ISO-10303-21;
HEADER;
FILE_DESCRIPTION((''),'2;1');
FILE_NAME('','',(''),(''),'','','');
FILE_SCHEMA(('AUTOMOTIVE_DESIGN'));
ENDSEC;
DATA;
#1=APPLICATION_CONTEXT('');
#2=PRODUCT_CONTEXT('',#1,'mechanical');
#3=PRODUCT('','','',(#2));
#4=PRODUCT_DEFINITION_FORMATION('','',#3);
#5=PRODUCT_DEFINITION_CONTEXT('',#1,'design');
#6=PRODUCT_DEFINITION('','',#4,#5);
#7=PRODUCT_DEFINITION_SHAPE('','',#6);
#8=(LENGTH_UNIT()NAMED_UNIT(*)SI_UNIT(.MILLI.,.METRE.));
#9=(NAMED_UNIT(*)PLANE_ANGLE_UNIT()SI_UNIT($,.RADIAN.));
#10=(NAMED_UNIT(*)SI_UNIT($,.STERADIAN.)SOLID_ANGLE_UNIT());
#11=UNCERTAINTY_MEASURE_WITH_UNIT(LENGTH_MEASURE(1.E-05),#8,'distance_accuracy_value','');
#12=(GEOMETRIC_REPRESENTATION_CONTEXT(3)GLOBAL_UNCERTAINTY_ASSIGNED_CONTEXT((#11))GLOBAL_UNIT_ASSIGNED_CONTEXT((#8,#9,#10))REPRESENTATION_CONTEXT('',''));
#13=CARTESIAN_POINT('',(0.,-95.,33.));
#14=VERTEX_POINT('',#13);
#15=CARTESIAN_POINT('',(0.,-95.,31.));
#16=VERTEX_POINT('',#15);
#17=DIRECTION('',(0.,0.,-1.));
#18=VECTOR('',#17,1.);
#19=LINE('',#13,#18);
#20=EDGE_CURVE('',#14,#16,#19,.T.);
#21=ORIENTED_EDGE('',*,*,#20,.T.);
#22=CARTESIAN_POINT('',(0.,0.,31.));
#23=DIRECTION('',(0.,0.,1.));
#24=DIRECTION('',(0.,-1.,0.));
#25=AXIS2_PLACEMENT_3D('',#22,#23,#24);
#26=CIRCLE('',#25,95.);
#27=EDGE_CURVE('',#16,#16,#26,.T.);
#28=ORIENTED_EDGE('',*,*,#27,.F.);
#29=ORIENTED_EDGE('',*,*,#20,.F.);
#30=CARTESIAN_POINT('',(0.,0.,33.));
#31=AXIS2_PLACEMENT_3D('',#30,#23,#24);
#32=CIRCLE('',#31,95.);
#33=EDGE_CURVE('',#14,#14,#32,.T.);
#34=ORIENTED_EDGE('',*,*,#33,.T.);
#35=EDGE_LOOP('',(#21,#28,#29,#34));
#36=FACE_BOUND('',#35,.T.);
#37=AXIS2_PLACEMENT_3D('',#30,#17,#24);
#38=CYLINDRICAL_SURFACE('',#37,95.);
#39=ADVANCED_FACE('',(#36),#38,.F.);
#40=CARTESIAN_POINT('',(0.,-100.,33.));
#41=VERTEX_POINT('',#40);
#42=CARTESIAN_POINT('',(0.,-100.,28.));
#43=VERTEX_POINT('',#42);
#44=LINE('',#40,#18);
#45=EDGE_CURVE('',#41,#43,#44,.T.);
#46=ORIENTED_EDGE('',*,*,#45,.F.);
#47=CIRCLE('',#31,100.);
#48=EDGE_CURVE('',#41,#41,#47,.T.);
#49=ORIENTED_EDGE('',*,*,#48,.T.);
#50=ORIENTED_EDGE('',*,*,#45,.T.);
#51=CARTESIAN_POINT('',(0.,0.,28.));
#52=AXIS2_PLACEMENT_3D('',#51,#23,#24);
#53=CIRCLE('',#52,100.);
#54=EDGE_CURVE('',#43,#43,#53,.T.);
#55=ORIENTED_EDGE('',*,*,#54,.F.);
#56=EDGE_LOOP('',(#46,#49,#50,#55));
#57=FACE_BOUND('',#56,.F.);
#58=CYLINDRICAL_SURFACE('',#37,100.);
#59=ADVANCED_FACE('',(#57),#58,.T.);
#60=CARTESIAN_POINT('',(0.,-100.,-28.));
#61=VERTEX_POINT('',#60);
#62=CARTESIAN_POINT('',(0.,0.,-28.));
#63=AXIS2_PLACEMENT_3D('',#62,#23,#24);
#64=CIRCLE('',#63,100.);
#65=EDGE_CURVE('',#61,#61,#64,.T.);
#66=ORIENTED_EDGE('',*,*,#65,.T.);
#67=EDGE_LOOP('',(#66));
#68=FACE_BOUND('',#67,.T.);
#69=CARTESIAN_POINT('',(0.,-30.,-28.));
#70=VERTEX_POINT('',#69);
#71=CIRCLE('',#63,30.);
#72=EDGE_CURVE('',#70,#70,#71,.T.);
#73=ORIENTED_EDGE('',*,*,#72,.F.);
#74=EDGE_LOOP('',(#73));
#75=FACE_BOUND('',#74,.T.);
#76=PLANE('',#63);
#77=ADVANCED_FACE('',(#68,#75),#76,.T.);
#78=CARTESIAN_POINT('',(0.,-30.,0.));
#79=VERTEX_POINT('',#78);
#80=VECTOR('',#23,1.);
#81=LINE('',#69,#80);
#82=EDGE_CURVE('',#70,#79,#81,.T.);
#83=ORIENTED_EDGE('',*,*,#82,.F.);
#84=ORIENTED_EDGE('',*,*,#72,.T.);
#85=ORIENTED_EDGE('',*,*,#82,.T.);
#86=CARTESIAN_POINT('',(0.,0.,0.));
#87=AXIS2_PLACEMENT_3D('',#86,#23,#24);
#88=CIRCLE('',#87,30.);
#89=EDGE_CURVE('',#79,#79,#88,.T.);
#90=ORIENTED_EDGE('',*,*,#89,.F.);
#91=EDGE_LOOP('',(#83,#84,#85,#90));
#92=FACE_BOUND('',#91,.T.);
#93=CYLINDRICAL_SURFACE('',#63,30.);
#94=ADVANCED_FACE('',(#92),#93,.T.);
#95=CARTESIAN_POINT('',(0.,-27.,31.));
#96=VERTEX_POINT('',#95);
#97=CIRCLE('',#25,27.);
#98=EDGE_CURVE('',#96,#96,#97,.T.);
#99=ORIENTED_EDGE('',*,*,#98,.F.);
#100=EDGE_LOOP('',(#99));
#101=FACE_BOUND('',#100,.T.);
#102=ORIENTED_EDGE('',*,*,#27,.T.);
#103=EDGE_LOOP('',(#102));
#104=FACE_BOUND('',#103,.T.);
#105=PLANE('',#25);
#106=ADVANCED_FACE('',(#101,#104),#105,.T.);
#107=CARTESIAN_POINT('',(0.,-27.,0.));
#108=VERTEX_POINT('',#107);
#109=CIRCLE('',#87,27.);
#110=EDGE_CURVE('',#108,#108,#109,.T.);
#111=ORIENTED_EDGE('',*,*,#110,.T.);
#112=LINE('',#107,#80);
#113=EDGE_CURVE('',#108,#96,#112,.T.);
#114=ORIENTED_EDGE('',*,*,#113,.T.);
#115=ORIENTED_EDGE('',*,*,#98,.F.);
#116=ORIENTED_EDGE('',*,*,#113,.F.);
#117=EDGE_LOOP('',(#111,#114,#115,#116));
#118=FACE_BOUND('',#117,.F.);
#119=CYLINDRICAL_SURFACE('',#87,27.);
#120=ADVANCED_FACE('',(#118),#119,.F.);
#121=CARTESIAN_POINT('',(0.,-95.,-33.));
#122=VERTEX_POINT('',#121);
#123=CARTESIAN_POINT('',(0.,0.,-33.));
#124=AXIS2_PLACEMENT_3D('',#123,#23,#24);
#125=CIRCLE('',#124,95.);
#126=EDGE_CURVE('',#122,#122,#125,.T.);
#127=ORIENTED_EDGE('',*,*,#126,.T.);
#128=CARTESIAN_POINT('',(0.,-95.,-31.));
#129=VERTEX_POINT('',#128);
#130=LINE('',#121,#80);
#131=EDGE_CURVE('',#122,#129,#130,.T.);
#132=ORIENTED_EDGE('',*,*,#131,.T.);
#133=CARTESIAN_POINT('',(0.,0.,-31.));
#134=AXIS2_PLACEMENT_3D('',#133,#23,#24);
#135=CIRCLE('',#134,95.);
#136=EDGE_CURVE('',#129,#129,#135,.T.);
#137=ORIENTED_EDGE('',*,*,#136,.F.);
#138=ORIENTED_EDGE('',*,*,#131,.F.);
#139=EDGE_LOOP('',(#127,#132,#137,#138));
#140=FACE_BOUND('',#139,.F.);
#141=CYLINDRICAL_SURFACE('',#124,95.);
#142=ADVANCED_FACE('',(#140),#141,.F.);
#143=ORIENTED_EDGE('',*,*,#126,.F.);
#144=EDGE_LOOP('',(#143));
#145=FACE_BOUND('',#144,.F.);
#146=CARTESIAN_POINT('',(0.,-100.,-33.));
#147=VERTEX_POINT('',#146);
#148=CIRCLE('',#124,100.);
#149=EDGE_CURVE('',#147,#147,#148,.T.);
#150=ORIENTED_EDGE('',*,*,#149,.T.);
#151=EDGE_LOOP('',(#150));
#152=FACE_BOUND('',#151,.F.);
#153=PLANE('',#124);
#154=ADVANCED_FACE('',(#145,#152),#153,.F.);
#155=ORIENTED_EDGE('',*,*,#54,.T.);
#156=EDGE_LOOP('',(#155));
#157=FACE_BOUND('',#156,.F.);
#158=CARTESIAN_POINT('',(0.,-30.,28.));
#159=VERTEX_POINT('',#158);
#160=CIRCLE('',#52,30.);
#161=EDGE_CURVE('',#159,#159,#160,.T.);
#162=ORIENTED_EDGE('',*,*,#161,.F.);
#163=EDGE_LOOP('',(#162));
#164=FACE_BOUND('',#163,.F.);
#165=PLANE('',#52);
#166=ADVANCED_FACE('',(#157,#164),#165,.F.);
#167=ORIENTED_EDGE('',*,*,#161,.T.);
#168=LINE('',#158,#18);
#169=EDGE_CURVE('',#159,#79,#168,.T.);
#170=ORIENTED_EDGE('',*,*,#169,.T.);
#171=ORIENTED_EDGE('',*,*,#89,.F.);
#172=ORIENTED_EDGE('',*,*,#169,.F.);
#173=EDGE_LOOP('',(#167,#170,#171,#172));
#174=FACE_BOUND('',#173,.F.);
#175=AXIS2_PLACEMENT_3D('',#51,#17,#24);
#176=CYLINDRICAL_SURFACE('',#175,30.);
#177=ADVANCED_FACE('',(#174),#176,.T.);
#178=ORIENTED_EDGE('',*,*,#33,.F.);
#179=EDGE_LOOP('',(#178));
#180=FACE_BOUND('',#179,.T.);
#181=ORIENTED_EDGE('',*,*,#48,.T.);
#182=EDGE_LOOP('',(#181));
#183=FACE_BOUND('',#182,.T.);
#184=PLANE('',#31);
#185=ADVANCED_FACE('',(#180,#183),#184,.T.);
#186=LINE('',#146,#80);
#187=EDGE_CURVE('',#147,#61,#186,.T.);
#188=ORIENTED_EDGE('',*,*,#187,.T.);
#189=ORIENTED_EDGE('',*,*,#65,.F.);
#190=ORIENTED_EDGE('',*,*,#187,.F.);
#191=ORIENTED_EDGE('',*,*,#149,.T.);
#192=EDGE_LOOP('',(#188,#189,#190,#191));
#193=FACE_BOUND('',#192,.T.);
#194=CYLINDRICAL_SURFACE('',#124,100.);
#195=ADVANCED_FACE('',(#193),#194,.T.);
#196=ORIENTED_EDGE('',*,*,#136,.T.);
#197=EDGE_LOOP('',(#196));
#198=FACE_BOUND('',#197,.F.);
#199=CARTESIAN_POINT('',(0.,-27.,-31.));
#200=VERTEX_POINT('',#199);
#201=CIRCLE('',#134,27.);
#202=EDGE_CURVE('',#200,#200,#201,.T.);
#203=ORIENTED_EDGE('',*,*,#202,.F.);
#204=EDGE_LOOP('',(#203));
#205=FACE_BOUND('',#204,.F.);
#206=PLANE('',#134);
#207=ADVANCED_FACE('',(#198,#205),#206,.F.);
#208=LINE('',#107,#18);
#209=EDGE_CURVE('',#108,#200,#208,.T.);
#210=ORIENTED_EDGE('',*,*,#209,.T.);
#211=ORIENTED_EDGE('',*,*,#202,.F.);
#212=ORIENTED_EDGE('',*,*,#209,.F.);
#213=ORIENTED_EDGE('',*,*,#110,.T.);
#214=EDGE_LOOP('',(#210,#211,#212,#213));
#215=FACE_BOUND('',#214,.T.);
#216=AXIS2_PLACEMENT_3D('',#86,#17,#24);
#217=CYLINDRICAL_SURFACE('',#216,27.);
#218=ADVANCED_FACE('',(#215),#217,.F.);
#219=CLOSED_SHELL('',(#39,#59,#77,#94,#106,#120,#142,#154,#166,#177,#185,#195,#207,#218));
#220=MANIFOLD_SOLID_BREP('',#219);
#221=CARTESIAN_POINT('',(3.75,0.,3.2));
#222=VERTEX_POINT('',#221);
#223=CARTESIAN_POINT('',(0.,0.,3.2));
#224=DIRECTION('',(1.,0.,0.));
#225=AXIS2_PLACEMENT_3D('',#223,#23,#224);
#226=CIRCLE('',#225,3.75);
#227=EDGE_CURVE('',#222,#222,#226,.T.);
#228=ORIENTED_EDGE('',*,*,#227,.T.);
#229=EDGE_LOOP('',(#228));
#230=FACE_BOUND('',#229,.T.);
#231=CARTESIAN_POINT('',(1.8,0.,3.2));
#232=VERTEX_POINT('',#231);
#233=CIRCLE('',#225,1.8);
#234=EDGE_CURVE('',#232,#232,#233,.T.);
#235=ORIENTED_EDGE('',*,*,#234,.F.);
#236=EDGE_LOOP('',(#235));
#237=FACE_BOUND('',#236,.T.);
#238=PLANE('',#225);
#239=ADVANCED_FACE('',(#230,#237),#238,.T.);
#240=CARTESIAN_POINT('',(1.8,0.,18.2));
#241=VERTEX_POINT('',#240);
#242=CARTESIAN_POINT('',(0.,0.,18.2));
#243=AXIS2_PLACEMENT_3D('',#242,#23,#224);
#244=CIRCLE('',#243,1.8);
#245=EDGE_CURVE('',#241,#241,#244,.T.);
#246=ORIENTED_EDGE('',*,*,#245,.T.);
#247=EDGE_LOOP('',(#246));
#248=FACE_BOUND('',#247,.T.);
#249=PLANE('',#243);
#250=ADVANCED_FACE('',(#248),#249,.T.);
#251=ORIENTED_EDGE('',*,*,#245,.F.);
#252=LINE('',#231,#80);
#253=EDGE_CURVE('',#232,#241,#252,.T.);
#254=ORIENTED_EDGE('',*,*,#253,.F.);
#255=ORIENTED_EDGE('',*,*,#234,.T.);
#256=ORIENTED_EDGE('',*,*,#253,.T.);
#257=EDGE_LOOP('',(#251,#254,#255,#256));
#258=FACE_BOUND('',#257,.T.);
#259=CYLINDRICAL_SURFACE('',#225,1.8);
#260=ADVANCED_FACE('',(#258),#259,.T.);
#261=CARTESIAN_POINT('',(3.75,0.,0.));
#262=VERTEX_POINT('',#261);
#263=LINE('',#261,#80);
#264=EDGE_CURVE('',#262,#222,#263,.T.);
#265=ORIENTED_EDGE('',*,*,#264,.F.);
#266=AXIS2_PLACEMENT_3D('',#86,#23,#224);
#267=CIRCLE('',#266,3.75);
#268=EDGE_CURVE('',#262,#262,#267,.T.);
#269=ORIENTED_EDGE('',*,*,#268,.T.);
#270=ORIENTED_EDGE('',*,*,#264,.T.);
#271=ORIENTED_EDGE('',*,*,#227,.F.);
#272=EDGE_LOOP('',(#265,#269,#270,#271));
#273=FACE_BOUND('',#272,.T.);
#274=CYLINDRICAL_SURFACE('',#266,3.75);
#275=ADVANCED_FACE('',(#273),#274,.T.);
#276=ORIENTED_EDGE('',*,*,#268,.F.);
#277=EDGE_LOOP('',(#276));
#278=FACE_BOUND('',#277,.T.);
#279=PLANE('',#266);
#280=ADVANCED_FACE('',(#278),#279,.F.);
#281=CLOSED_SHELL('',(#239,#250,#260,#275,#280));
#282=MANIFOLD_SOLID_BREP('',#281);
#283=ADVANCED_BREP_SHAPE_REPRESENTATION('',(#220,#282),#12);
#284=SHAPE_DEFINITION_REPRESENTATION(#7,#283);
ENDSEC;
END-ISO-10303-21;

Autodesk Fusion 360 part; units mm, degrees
cylinder "CylinderPrimitive1" add diameter 7.5 height 3.2 placed x (1, 0, 0) y (0, 1, 0) z (0, 0, 1) at (0, 0, 0)
cylinder "CylinderPrimitive2" add diameter 3.6 height 15 placed x (1, 0, 0) y (0, 1, 0) z (0, 0, 1) at (0, 0, 3.2)

Autodesk Fusion 360 part; units mm, degrees
sketch "Spool" plane through (0, 0, 0) normal (1, 0, 0) x (0, 0, -1)
  line L0 (33, -100) -> (28, -100)
  line L1 (28, -100) -> (28, -30)
  line L2 (10, 0) -> (0, 0) construction
  line L3 (33, -100) -> (33, -95)
  line L4 (33, -95) -> (31, -95)
  line L5 (31, -95) -> (31, -27)
  line L6 (0, -27) -> (0, -87.6876) construction
  line L7 (0, -27) -> (31, -27)
  line L8 (28, -30) -> (0, -30)
  line L9 (-33, -100) -> (-28, -100)
  line L10 (-28, -100) -> (-28, -30)
  line L11 (-28, -30) -> (0, -30)
  line L12 (0, -27) -> (-31, -27)
  line L13 (-31, -95) -> (-31, -27)
  line L14 (-33, -100) -> (-33, -95)
  line L15 (-33, -95) -> (-31, -95)
  line L16 (0, 10) -> (0, 0) construction
  dimension "d17" = 5
  dimension "d18" = 100
  dimension "d20" = 27
  dimension "d24" = 28
  dimension "d37" = 3
  dimension "d44" = 33
  dimension "d46" = 2
revolve "Revolve1" add sketch "Spool" angle 360 about axis through (0, 0, -10) along (0, 0, 1)
ref_plane "WorkPlane1" through (0, 0, 0) normal (0, 0, 1) x (1, 0, 0)
equation "d18 = 0.5 * SpoolDia"
equation "d20 = 0.5 * HubDia"
equation "d24 = 0.5 * InsideHeight"
equation "d37 = Thickness"
equation "SpoolDia = 200 mm"
equation "HubDia = 54 mm"
equation "TotalHeight = 66 mm"
equation "d44 = 0.5 * TotalHeight"
equation "LipSize = 2 mm"
equation "d46 = LipSize"
equation "InsideHeight = 56 mm"
equation "Thickness = 0.5 * ( TotalHeight - InsideHeight ) - LipSize"

Autodesk Fusion 360 part; units mm, degrees
cylinder "CylinderPrimitive1" add diameter 7.5 height 3.2 placed x (1, 0, 0) y (0, 1, 0) z (0, 0, 1) at (0, 0, 0)
cylinder "CylinderPrimitive2" add diameter 3.2 height 15 placed x (1, 0, 0) y (0, 1, 0) z (0, 0, 1) at (0, 0, 3.2)
